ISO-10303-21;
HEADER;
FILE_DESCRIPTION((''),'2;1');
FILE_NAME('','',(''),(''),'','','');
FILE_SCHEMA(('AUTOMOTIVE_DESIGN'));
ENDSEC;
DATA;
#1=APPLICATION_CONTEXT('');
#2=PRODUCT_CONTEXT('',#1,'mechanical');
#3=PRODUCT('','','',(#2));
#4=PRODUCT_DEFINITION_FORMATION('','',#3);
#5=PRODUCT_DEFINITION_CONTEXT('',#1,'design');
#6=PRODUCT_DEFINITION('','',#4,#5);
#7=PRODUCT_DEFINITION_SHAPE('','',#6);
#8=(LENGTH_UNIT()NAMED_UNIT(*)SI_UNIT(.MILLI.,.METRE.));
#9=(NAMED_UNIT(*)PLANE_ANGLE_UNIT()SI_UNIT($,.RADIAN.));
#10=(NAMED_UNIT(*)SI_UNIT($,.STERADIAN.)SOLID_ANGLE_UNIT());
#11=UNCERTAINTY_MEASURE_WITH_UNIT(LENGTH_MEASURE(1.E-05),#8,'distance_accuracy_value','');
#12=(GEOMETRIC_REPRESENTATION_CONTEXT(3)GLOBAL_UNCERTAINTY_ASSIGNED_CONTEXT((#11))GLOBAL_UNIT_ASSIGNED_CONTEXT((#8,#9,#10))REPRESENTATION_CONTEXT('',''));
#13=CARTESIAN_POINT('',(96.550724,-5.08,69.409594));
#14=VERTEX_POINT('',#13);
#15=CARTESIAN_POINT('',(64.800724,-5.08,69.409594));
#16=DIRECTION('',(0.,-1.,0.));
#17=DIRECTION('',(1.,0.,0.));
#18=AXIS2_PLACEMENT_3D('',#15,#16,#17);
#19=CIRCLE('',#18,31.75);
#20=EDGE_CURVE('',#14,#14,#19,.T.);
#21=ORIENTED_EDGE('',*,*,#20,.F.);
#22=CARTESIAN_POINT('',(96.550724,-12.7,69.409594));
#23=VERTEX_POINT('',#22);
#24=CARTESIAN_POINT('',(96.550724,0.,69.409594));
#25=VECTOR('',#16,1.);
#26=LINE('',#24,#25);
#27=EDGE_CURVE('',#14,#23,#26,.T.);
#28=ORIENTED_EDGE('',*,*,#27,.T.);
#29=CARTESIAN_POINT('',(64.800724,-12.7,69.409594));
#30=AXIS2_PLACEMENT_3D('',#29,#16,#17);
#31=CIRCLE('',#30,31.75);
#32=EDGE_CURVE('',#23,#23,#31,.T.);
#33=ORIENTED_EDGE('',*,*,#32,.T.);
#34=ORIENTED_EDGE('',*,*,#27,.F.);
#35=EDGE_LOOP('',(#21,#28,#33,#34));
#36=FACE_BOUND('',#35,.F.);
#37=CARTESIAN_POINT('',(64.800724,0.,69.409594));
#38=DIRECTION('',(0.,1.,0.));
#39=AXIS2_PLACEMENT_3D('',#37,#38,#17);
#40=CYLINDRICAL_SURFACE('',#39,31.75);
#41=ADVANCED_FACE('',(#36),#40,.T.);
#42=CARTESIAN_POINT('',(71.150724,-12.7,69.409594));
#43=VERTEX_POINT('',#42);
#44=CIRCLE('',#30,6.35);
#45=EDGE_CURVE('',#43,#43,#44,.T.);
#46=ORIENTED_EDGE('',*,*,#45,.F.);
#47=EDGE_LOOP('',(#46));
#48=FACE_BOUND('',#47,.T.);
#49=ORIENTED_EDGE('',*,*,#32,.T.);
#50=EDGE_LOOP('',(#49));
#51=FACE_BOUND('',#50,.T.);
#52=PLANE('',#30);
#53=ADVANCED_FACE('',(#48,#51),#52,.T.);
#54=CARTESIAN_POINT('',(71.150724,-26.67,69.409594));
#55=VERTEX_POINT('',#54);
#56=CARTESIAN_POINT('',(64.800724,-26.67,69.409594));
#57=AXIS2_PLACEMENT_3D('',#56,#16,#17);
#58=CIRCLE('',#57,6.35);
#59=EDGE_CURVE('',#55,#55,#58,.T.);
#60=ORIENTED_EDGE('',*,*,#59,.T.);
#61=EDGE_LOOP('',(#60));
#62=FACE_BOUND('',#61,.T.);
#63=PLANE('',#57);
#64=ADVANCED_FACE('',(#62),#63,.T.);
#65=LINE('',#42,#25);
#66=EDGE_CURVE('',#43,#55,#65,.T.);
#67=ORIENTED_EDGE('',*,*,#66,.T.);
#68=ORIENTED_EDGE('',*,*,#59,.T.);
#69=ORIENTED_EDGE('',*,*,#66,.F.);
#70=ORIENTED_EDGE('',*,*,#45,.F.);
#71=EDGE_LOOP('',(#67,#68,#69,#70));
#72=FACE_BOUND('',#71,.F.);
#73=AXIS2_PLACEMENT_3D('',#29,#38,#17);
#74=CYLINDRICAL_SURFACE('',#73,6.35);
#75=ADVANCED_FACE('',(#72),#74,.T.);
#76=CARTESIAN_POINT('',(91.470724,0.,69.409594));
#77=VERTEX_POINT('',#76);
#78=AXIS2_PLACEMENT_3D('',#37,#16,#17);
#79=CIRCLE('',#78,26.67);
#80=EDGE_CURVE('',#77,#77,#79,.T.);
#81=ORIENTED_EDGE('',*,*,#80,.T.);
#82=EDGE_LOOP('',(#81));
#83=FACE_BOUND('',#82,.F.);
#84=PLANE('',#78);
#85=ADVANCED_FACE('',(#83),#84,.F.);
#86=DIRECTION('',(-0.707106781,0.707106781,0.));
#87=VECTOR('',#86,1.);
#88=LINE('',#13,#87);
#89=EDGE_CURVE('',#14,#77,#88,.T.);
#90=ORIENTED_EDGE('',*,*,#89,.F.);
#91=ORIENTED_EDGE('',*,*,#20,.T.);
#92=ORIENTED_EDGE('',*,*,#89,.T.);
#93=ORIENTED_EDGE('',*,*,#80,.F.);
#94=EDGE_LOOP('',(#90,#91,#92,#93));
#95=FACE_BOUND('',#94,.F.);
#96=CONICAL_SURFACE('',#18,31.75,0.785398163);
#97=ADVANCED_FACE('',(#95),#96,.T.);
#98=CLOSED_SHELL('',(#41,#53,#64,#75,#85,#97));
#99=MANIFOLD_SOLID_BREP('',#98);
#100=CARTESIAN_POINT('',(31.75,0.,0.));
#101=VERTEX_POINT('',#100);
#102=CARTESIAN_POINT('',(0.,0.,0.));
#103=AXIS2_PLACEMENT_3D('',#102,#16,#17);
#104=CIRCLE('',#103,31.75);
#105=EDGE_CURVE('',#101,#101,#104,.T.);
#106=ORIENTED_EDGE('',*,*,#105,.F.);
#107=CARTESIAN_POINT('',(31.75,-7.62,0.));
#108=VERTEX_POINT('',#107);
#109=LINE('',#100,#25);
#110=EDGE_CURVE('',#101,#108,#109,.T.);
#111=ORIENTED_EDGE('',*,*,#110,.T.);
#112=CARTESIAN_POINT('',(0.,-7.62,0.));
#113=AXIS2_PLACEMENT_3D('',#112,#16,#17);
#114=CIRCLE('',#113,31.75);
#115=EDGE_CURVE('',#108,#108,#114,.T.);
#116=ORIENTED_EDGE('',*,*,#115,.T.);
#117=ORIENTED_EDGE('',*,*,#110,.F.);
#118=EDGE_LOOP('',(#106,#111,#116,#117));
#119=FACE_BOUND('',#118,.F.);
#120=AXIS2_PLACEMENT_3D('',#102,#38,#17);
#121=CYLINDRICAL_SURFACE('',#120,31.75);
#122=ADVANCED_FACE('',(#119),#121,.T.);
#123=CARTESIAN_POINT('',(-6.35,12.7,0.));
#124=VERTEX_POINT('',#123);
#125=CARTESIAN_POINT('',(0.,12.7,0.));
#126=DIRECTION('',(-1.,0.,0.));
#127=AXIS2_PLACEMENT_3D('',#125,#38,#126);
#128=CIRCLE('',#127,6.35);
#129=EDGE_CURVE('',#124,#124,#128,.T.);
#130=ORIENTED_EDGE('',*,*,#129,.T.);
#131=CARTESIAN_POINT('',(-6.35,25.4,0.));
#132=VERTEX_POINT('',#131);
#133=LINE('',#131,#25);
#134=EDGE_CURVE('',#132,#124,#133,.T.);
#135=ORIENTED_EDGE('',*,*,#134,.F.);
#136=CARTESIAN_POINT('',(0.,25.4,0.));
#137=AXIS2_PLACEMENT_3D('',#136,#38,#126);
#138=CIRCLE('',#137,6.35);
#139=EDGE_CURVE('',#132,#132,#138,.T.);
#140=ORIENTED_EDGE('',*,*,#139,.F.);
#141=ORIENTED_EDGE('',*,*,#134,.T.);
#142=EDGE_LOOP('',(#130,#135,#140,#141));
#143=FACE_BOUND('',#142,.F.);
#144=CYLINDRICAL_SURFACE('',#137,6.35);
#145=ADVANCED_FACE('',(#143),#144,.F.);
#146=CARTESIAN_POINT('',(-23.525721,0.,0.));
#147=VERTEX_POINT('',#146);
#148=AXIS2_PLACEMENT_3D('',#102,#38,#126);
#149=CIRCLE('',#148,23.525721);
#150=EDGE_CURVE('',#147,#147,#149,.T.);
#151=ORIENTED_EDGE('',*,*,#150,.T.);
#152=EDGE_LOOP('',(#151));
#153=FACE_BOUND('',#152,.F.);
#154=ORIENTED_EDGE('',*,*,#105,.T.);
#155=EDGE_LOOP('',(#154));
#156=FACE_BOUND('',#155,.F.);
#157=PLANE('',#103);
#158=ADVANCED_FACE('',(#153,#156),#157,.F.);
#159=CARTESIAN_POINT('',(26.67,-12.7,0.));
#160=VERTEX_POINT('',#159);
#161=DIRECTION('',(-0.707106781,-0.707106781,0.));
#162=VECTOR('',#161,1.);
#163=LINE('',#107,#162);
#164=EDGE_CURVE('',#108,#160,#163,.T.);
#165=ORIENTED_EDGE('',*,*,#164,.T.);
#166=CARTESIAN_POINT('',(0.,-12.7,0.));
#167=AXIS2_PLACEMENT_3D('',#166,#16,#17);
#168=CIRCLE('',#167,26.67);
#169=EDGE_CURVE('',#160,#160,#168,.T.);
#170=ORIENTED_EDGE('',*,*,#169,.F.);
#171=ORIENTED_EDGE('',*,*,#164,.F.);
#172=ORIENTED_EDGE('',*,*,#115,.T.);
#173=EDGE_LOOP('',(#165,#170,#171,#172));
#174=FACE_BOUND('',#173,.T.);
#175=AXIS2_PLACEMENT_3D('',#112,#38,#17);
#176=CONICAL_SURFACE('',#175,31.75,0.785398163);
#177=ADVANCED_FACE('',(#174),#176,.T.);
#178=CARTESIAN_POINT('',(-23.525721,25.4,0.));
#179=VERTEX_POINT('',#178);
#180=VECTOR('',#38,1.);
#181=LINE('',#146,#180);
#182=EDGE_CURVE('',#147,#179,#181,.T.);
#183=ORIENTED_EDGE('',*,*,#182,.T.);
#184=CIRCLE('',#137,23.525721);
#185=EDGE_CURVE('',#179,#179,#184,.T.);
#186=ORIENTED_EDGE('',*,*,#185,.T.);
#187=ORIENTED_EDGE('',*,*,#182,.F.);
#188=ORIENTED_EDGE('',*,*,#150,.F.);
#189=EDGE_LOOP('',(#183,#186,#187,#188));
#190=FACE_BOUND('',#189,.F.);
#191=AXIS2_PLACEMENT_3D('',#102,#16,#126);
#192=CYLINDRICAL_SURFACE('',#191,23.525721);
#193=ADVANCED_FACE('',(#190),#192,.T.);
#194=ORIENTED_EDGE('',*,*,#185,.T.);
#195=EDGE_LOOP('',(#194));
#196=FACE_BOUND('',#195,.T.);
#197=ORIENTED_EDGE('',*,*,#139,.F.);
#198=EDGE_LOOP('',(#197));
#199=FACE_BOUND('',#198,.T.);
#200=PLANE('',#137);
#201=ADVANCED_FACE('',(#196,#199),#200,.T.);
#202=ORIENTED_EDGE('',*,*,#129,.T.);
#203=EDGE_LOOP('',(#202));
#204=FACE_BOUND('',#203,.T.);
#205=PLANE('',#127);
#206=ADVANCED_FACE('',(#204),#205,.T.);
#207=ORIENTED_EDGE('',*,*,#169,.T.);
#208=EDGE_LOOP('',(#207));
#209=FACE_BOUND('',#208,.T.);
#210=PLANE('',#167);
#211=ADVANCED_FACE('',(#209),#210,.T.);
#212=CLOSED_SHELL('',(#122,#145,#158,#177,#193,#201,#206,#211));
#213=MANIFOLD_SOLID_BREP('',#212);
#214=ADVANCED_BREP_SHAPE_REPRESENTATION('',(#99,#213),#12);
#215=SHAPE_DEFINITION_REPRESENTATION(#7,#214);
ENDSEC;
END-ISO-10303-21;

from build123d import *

# Parameters (mm, degrees)
F0_R       = 31.75
F1_DEPTH   = 12.7
F2_R       = 23.525721
F3_DEPTH   = 25.4
F4_R       = 6.35
F5_DEPTH   = 12.7
F6_R       = 31.75
F7_DEPTH   = 12.7
F8_R       = 6.35
F9_DEPTH   = 13.97
F10_SIZE   = 5.08
F10_2_SIZE = 5.08


with BuildPart() as f1:
    # F0 (on Front) → F1 (new body)
    with BuildSketch(Plane.XZ):
        Circle(F0_R)
    extrude(amount=F1_DEPTH)

    # F2 (on face) → F3 (join)
    with BuildSketch(Plane(origin=(0, 0, 0), x_dir=(-1, 0, 0), z_dir=(0, 1, 0))):
        Circle(F2_R)
    extrude(amount=F3_DEPTH)

    # F4 (on face) → F5 (cut)
    with BuildSketch(Plane(origin=(0, 25.4, 0), x_dir=(-1, 0, 0), z_dir=(0, 1, 0))):
        Circle(F4_R)
    extrude(amount=-F5_DEPTH, mode=Mode.SUBTRACT)

    # F10
    f10_edges = [f1.edges().sort_by_distance(p)[0] for p in [
        (-31.75, -12.7, 0),
    ]]
    chamfer(f10_edges, length=F10_SIZE)


with BuildPart() as f7:
    # F6 (on Front) → F7 (new body)
    with BuildSketch(Plane.XZ):
        with Locations((64.800724, 69.409594)):
            Circle(F6_R)
    extrude(amount=F7_DEPTH)

    # F8 (on face) → F9 (join)
    with BuildSketch(Plane.XZ.offset(12.7)):
        with Locations((64.800724, 69.409594)):
            Circle(F8_R)
    extrude(amount=F9_DEPTH)

    # F10#2
    f10_2_edges = [f7.edges().sort_by_distance(p)[0] for p in [
        (33.050724, 0, 69.409594),
    ]]
    chamfer(f10_2_edges, length=F10_2_SIZE)


solid = Compound([f1.part, f7.part])
